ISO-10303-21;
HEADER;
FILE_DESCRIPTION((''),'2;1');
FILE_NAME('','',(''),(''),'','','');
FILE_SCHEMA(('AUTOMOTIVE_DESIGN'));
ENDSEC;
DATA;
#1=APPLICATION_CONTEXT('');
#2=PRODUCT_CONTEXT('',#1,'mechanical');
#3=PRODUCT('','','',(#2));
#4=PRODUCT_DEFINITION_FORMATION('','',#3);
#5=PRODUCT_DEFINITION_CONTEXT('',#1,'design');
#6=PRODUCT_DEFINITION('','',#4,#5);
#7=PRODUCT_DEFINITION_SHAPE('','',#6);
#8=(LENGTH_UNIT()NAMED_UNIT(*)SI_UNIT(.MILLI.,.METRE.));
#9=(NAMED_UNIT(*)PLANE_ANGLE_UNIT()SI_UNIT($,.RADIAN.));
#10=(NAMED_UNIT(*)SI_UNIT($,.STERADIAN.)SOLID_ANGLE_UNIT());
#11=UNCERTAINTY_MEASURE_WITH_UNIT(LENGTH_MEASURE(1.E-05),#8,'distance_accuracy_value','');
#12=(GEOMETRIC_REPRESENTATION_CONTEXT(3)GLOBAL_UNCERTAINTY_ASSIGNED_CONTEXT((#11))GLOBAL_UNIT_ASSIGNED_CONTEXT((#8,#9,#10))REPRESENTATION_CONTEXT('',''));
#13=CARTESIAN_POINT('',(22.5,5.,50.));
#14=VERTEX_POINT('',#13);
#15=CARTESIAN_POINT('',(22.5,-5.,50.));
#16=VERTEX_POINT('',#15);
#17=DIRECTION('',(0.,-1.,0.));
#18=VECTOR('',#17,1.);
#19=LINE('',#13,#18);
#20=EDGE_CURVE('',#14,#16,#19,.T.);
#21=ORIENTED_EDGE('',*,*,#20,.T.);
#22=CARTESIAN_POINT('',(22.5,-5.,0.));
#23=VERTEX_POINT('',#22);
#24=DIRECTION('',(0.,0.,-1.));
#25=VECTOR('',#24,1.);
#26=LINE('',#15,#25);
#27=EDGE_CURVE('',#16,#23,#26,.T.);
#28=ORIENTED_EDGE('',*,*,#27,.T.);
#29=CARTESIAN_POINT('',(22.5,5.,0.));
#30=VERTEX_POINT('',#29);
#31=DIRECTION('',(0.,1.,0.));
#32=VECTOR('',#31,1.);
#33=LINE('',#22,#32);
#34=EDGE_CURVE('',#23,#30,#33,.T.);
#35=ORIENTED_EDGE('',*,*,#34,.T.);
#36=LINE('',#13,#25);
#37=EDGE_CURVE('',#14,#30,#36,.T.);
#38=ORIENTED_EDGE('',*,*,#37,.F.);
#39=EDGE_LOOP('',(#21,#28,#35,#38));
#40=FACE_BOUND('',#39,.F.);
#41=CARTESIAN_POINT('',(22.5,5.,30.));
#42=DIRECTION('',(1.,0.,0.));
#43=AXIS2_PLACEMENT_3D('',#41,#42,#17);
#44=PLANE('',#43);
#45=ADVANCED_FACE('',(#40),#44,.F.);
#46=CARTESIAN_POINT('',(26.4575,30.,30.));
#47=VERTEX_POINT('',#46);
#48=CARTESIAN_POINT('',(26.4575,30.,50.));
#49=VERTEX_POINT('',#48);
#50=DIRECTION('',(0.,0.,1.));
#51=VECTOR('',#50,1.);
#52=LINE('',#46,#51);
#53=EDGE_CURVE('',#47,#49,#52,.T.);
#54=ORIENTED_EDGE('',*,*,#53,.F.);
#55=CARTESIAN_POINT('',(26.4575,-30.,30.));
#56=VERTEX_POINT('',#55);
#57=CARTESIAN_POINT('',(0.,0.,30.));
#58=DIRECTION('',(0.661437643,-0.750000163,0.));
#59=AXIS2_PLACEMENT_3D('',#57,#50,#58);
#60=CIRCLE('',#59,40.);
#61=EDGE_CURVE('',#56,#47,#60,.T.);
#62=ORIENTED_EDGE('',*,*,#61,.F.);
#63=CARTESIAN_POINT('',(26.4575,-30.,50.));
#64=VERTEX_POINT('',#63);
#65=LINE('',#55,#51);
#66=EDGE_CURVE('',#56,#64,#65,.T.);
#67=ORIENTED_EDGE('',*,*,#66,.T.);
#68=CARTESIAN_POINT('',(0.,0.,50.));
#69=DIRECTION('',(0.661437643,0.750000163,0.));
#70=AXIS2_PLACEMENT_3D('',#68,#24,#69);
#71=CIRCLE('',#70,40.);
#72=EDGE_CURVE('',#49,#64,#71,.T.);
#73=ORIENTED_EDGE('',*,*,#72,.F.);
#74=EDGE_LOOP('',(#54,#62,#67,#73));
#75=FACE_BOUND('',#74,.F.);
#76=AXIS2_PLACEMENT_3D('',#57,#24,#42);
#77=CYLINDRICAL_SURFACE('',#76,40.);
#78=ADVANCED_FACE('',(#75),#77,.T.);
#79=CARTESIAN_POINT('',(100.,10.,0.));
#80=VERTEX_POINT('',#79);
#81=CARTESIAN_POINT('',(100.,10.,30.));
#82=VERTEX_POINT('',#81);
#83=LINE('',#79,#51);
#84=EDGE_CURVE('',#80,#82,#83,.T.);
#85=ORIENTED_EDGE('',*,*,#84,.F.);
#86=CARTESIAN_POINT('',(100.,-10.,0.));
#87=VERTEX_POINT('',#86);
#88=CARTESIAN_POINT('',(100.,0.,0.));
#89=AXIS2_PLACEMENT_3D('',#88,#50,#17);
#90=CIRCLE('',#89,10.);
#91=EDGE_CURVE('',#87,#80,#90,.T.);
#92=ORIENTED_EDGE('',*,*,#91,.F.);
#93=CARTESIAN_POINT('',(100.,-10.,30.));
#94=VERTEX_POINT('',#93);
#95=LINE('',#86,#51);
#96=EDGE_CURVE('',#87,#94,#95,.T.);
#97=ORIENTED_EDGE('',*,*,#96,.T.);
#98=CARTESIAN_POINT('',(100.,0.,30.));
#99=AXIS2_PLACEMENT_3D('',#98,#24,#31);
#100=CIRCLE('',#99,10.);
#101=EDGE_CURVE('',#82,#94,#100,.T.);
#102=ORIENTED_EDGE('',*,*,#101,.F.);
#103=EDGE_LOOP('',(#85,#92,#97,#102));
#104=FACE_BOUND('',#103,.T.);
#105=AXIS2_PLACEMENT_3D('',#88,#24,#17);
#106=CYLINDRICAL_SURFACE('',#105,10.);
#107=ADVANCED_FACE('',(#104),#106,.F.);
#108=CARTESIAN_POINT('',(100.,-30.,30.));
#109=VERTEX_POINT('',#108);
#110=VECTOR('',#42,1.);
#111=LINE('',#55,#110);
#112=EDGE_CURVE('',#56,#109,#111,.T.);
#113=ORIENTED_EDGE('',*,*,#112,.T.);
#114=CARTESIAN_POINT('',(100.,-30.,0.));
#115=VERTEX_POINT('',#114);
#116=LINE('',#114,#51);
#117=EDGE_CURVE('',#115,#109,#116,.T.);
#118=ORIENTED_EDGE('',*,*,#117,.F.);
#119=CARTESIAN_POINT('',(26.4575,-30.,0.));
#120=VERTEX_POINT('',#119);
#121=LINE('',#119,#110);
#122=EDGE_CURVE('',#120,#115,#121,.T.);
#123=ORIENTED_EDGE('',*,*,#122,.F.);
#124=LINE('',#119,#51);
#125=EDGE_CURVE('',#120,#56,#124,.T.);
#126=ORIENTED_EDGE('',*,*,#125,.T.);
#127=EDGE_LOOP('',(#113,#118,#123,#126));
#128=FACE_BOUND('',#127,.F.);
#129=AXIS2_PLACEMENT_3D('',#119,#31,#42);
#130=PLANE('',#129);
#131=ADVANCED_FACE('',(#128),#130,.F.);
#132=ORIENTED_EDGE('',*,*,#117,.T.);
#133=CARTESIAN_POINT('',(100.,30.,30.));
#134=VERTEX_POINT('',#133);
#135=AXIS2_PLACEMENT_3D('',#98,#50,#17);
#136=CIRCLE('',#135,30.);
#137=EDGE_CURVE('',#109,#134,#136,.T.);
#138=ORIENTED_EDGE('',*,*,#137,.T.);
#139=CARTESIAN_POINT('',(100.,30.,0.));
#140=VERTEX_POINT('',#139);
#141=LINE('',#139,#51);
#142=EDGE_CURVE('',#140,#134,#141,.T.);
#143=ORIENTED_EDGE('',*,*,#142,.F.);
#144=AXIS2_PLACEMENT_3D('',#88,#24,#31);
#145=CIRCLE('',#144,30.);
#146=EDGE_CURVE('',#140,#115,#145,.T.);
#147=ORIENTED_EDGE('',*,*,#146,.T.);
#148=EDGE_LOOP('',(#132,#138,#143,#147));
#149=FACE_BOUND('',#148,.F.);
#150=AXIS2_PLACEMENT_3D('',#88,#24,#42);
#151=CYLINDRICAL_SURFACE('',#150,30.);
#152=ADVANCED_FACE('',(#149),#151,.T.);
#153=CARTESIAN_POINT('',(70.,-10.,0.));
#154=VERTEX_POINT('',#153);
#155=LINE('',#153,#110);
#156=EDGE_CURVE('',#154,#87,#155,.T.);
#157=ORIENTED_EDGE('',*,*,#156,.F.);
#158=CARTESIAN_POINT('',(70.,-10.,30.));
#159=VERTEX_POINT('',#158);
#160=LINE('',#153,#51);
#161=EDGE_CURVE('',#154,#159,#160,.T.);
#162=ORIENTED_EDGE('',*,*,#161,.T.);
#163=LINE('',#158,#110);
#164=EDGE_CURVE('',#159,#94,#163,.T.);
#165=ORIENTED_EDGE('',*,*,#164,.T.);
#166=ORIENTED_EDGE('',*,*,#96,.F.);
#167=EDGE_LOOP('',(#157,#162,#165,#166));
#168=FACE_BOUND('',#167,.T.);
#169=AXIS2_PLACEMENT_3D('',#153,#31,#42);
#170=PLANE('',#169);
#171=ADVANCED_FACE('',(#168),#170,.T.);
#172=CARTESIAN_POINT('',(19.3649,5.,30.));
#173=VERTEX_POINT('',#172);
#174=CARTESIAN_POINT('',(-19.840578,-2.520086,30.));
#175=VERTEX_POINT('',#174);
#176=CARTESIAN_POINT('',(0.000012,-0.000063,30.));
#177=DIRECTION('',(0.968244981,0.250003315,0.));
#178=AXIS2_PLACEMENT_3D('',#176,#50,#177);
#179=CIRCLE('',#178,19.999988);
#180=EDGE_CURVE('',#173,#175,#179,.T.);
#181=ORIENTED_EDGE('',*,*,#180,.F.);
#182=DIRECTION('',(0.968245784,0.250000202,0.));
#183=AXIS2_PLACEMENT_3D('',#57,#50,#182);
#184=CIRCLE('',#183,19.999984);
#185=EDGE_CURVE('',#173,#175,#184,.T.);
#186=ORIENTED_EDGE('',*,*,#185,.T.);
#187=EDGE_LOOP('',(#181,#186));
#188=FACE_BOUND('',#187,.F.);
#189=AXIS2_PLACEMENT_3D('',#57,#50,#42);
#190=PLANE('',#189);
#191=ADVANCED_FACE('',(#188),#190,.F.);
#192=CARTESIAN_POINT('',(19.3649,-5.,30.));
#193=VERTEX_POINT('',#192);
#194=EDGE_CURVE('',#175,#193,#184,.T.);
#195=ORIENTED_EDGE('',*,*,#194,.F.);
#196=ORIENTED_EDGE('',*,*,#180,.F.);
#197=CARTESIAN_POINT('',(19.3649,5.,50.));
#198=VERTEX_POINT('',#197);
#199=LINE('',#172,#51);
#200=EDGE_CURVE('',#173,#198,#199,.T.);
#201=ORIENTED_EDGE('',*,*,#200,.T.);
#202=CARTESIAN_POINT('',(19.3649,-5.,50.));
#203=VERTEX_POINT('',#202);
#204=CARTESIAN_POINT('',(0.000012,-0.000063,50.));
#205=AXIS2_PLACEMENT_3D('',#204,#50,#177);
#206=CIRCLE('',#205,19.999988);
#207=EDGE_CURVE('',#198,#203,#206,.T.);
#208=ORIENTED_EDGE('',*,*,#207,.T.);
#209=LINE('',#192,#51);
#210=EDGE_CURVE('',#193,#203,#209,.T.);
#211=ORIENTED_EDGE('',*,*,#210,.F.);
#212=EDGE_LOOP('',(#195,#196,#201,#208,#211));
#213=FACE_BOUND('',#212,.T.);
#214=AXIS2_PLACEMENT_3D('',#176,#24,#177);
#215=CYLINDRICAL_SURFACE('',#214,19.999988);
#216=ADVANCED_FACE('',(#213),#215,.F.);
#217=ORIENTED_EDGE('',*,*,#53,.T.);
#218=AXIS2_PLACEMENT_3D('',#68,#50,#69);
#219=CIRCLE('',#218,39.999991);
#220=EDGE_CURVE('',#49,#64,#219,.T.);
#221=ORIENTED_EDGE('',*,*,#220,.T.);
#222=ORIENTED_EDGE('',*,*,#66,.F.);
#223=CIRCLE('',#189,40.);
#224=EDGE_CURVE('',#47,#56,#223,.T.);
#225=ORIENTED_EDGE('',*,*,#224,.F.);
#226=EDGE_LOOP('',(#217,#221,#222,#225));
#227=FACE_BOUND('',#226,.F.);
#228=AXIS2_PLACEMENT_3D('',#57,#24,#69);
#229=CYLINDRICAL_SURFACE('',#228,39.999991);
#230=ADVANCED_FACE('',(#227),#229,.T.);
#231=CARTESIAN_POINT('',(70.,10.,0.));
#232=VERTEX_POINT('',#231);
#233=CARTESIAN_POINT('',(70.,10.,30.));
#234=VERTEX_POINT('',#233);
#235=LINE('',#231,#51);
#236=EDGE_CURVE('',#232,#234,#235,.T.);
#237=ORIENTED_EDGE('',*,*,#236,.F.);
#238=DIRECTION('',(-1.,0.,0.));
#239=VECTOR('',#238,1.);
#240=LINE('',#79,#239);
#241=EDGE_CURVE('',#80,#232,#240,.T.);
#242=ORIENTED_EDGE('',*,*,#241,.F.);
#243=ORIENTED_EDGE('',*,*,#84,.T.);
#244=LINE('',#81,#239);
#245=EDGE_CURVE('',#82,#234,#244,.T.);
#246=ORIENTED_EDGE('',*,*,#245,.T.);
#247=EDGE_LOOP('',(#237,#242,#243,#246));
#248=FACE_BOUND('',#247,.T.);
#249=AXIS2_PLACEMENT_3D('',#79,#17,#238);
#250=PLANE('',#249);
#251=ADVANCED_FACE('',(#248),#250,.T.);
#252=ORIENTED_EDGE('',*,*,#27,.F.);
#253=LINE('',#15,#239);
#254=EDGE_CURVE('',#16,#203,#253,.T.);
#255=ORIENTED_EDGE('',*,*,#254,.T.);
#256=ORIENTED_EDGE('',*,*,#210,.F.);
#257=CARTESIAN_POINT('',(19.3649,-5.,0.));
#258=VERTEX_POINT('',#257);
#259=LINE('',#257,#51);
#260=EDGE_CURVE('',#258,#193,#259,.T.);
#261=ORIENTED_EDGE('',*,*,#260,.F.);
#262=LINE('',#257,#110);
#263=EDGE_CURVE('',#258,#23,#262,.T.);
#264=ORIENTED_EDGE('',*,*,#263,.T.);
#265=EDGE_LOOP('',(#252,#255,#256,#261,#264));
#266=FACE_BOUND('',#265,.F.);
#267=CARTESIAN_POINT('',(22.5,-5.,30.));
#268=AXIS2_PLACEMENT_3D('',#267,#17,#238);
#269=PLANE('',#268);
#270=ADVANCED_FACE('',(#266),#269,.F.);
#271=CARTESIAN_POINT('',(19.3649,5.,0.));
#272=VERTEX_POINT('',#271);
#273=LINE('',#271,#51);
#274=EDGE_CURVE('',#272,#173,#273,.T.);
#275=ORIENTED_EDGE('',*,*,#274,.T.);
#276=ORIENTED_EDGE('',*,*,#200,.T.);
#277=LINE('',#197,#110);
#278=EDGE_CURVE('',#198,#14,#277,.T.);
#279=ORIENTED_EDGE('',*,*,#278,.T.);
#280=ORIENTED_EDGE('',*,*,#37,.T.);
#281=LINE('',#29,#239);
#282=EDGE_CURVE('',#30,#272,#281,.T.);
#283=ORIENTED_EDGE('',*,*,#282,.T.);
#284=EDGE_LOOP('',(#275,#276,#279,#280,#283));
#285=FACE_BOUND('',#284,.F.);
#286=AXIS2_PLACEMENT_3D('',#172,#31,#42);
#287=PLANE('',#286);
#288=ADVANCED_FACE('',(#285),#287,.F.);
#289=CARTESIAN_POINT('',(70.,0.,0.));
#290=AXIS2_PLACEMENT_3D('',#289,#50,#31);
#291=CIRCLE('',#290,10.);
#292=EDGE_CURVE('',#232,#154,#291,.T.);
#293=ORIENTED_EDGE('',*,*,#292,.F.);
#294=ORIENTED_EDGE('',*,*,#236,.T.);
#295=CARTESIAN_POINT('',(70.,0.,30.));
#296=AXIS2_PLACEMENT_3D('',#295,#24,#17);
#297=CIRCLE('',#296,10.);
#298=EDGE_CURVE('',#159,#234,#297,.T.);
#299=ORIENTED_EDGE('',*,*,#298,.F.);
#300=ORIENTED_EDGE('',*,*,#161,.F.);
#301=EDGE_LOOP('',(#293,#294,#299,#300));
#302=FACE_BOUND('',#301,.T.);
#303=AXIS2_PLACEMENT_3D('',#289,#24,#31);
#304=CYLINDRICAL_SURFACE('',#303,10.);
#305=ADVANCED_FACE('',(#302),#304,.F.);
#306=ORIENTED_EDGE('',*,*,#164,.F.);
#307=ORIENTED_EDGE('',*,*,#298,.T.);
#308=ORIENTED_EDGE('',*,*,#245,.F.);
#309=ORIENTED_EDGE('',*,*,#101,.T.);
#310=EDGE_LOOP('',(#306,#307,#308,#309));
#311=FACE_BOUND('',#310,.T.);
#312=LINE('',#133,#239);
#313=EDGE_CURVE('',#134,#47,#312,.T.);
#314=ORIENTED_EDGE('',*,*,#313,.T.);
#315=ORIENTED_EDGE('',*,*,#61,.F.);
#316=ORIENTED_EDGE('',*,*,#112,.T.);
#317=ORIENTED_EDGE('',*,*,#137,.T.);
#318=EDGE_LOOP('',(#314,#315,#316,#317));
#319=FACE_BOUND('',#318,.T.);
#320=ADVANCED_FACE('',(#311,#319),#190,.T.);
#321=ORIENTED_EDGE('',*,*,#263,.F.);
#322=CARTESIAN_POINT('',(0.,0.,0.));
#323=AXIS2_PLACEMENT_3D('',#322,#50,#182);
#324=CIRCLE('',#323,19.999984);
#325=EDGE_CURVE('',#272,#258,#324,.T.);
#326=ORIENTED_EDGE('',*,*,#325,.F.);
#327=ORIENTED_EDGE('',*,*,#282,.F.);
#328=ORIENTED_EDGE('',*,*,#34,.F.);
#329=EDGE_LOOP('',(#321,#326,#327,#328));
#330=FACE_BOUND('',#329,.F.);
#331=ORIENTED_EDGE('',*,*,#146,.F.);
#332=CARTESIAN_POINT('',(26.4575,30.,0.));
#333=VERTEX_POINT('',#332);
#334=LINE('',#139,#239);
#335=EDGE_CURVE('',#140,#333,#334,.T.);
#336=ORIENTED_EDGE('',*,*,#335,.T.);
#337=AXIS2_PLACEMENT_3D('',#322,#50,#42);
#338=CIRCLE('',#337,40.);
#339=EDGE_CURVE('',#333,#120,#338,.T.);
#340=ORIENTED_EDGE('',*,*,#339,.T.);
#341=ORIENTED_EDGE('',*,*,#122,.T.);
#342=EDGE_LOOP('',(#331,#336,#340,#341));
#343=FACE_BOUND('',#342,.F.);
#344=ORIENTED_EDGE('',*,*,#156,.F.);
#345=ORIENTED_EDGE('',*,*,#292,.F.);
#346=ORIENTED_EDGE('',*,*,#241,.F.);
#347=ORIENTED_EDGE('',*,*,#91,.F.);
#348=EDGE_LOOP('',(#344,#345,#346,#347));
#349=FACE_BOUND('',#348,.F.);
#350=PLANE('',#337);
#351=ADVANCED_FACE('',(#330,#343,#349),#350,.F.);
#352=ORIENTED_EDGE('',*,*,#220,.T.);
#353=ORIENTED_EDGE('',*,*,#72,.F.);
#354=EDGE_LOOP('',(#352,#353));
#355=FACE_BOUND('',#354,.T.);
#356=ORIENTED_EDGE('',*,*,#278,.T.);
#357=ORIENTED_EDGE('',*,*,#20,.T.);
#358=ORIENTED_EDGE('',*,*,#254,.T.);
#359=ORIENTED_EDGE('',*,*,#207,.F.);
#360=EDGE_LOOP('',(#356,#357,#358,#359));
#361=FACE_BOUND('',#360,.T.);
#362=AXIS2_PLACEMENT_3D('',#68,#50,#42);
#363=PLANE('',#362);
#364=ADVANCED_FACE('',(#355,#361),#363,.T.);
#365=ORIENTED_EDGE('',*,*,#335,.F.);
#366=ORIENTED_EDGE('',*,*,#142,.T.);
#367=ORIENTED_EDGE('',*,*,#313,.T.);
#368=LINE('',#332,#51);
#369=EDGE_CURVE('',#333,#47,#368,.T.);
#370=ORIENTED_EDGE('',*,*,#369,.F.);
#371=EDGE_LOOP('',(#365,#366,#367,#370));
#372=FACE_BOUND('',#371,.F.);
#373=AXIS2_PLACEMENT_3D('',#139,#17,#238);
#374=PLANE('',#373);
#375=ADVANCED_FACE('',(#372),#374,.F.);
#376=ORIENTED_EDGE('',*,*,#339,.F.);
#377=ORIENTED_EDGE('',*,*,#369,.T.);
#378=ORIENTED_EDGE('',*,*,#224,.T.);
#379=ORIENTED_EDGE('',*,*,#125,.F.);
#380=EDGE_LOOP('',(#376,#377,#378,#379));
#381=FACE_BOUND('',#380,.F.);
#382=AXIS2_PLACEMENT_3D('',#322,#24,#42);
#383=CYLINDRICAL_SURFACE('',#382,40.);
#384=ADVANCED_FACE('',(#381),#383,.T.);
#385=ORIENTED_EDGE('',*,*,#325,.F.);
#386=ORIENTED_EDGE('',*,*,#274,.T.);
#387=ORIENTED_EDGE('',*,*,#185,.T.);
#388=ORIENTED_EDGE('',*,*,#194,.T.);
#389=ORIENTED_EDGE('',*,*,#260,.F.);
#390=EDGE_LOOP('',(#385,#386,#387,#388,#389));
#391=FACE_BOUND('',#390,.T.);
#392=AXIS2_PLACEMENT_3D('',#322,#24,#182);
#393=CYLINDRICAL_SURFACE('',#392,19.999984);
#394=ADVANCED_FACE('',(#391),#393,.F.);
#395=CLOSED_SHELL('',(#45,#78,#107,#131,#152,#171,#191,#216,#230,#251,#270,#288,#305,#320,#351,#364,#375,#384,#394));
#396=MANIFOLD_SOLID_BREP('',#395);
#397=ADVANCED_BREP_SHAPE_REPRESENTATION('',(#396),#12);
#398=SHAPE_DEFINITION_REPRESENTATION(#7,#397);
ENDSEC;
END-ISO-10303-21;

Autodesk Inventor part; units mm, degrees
ref_plane "YZ Plane" through (0, 0, 0) normal (1, 0, 0) x (0, 1, 0)
ref_plane "XZ Plane" through (0, 0, 0) normal (0, 1, 0) x (-1, 0, 0)
ref_plane "XY Plane" through (0, 0, 0) normal (0, 0, 1) x (1, 0, 0)
sketch "Boceto1" plane through (0, 0, 0) normal (0, 0, 1) x (1, 0, 0)
  circle A0 centre (0, 0) radius 40
  arc A1 (19.3649, 5) -> (19.3649, -5) centre (0, 0) ccw
  line L0 (19.3649, -5) -> (22.5, -5)
  line L1 (22.5, -5) -> (22.5, 5)
  line L2 (22.5, 5) -> (19.3649, 5)
  line L3 (17.5, 0) -> (22.5, 5) construction
  line L4 (22.5, -5) -> (17.5, 0) construction
  line L5 (0, 0) -> (181.7568, 0) construction
  line L6 (26.4575, -30) -> (100, -30)
  line L7 (130, 0) -> (130, 0)
  line L8 (100, 30) -> (26.4575, 30)
  line L9 (0, -30) -> (130, 30) construction
  line L10 (130, -30) -> (0, 30) construction
  arc A2 (130, 0) -> (100, 30) centre (100, 0) ccw
  arc A3 (100, -30) -> (130, 0) centre (100, 0) ccw
  line L11 (70, -10) -> (100, -10)
  line L12 (110, 0) -> (110, 0)
  line L13 (100, 10) -> (70, 10)
  line L14 (60, 0) -> (60, 0)
  line L15 (60, -10) -> (110, 10) construction
  line L16 (110, -10) -> (60, 10) construction
  arc A4 (110, 0) -> (100, 10) centre (100, 0) ccw
  arc A5 (100, -10) -> (110, 0) centre (100, 0) ccw
  arc A6 (60, 0) -> (70, -10) centre (70, 0) ccw
  arc A7 (70, 10) -> (60, 0) centre (70, 0) ccw
  point P0 (65, 0)
  point P1 (85, 0)
  point P2 (60, 0)
  dimension "d0" = 80
  dimension "d1" = 40
  dimension "d3" = 10
  dimension "d4" = 130
  dimension "d5" = 60
  dimension "d7" = 30
  dimension "d8" = 50
  dimension "d9" = 20
  dimension "d10" = 85
  dimension "d11" = 10
  dimension "d12" = 10
extrude "Extrusión1" add sketch "Boceto1" along normal blind 30
sketch "Boceto2" plane through (0, 0, 30) normal (0, 0, 1) x (1, 0, 0)
  arc A0 (26.4575, 30) -> (26.4575, -30) centre (0, 0) ccw projected
  circle A1 centre (0, 0) radius 40
  arc A2 (19.3649, 5) -> (20, 0) centre (0, 0) ccw
  line L0 (19.3649, 5) -> (22.5, 5)
  line L1 (22.5, 5) -> (22.5, -5)
  line L2 (22.5, -5) -> (19.3649, -5)
  line L3 (18.5, 3) -> (22.5, -5) construction
  line L4 (22.5, 5) -> (20.3695, 0.739) construction
  point P0 (26.4575, -30)
  dimension "d16" = 10
  dimension "d18" = 0
extrude "Extrusión2" add sketch "Boceto2" along normal blind 20
properties part number "Lab2A01209499P19"
